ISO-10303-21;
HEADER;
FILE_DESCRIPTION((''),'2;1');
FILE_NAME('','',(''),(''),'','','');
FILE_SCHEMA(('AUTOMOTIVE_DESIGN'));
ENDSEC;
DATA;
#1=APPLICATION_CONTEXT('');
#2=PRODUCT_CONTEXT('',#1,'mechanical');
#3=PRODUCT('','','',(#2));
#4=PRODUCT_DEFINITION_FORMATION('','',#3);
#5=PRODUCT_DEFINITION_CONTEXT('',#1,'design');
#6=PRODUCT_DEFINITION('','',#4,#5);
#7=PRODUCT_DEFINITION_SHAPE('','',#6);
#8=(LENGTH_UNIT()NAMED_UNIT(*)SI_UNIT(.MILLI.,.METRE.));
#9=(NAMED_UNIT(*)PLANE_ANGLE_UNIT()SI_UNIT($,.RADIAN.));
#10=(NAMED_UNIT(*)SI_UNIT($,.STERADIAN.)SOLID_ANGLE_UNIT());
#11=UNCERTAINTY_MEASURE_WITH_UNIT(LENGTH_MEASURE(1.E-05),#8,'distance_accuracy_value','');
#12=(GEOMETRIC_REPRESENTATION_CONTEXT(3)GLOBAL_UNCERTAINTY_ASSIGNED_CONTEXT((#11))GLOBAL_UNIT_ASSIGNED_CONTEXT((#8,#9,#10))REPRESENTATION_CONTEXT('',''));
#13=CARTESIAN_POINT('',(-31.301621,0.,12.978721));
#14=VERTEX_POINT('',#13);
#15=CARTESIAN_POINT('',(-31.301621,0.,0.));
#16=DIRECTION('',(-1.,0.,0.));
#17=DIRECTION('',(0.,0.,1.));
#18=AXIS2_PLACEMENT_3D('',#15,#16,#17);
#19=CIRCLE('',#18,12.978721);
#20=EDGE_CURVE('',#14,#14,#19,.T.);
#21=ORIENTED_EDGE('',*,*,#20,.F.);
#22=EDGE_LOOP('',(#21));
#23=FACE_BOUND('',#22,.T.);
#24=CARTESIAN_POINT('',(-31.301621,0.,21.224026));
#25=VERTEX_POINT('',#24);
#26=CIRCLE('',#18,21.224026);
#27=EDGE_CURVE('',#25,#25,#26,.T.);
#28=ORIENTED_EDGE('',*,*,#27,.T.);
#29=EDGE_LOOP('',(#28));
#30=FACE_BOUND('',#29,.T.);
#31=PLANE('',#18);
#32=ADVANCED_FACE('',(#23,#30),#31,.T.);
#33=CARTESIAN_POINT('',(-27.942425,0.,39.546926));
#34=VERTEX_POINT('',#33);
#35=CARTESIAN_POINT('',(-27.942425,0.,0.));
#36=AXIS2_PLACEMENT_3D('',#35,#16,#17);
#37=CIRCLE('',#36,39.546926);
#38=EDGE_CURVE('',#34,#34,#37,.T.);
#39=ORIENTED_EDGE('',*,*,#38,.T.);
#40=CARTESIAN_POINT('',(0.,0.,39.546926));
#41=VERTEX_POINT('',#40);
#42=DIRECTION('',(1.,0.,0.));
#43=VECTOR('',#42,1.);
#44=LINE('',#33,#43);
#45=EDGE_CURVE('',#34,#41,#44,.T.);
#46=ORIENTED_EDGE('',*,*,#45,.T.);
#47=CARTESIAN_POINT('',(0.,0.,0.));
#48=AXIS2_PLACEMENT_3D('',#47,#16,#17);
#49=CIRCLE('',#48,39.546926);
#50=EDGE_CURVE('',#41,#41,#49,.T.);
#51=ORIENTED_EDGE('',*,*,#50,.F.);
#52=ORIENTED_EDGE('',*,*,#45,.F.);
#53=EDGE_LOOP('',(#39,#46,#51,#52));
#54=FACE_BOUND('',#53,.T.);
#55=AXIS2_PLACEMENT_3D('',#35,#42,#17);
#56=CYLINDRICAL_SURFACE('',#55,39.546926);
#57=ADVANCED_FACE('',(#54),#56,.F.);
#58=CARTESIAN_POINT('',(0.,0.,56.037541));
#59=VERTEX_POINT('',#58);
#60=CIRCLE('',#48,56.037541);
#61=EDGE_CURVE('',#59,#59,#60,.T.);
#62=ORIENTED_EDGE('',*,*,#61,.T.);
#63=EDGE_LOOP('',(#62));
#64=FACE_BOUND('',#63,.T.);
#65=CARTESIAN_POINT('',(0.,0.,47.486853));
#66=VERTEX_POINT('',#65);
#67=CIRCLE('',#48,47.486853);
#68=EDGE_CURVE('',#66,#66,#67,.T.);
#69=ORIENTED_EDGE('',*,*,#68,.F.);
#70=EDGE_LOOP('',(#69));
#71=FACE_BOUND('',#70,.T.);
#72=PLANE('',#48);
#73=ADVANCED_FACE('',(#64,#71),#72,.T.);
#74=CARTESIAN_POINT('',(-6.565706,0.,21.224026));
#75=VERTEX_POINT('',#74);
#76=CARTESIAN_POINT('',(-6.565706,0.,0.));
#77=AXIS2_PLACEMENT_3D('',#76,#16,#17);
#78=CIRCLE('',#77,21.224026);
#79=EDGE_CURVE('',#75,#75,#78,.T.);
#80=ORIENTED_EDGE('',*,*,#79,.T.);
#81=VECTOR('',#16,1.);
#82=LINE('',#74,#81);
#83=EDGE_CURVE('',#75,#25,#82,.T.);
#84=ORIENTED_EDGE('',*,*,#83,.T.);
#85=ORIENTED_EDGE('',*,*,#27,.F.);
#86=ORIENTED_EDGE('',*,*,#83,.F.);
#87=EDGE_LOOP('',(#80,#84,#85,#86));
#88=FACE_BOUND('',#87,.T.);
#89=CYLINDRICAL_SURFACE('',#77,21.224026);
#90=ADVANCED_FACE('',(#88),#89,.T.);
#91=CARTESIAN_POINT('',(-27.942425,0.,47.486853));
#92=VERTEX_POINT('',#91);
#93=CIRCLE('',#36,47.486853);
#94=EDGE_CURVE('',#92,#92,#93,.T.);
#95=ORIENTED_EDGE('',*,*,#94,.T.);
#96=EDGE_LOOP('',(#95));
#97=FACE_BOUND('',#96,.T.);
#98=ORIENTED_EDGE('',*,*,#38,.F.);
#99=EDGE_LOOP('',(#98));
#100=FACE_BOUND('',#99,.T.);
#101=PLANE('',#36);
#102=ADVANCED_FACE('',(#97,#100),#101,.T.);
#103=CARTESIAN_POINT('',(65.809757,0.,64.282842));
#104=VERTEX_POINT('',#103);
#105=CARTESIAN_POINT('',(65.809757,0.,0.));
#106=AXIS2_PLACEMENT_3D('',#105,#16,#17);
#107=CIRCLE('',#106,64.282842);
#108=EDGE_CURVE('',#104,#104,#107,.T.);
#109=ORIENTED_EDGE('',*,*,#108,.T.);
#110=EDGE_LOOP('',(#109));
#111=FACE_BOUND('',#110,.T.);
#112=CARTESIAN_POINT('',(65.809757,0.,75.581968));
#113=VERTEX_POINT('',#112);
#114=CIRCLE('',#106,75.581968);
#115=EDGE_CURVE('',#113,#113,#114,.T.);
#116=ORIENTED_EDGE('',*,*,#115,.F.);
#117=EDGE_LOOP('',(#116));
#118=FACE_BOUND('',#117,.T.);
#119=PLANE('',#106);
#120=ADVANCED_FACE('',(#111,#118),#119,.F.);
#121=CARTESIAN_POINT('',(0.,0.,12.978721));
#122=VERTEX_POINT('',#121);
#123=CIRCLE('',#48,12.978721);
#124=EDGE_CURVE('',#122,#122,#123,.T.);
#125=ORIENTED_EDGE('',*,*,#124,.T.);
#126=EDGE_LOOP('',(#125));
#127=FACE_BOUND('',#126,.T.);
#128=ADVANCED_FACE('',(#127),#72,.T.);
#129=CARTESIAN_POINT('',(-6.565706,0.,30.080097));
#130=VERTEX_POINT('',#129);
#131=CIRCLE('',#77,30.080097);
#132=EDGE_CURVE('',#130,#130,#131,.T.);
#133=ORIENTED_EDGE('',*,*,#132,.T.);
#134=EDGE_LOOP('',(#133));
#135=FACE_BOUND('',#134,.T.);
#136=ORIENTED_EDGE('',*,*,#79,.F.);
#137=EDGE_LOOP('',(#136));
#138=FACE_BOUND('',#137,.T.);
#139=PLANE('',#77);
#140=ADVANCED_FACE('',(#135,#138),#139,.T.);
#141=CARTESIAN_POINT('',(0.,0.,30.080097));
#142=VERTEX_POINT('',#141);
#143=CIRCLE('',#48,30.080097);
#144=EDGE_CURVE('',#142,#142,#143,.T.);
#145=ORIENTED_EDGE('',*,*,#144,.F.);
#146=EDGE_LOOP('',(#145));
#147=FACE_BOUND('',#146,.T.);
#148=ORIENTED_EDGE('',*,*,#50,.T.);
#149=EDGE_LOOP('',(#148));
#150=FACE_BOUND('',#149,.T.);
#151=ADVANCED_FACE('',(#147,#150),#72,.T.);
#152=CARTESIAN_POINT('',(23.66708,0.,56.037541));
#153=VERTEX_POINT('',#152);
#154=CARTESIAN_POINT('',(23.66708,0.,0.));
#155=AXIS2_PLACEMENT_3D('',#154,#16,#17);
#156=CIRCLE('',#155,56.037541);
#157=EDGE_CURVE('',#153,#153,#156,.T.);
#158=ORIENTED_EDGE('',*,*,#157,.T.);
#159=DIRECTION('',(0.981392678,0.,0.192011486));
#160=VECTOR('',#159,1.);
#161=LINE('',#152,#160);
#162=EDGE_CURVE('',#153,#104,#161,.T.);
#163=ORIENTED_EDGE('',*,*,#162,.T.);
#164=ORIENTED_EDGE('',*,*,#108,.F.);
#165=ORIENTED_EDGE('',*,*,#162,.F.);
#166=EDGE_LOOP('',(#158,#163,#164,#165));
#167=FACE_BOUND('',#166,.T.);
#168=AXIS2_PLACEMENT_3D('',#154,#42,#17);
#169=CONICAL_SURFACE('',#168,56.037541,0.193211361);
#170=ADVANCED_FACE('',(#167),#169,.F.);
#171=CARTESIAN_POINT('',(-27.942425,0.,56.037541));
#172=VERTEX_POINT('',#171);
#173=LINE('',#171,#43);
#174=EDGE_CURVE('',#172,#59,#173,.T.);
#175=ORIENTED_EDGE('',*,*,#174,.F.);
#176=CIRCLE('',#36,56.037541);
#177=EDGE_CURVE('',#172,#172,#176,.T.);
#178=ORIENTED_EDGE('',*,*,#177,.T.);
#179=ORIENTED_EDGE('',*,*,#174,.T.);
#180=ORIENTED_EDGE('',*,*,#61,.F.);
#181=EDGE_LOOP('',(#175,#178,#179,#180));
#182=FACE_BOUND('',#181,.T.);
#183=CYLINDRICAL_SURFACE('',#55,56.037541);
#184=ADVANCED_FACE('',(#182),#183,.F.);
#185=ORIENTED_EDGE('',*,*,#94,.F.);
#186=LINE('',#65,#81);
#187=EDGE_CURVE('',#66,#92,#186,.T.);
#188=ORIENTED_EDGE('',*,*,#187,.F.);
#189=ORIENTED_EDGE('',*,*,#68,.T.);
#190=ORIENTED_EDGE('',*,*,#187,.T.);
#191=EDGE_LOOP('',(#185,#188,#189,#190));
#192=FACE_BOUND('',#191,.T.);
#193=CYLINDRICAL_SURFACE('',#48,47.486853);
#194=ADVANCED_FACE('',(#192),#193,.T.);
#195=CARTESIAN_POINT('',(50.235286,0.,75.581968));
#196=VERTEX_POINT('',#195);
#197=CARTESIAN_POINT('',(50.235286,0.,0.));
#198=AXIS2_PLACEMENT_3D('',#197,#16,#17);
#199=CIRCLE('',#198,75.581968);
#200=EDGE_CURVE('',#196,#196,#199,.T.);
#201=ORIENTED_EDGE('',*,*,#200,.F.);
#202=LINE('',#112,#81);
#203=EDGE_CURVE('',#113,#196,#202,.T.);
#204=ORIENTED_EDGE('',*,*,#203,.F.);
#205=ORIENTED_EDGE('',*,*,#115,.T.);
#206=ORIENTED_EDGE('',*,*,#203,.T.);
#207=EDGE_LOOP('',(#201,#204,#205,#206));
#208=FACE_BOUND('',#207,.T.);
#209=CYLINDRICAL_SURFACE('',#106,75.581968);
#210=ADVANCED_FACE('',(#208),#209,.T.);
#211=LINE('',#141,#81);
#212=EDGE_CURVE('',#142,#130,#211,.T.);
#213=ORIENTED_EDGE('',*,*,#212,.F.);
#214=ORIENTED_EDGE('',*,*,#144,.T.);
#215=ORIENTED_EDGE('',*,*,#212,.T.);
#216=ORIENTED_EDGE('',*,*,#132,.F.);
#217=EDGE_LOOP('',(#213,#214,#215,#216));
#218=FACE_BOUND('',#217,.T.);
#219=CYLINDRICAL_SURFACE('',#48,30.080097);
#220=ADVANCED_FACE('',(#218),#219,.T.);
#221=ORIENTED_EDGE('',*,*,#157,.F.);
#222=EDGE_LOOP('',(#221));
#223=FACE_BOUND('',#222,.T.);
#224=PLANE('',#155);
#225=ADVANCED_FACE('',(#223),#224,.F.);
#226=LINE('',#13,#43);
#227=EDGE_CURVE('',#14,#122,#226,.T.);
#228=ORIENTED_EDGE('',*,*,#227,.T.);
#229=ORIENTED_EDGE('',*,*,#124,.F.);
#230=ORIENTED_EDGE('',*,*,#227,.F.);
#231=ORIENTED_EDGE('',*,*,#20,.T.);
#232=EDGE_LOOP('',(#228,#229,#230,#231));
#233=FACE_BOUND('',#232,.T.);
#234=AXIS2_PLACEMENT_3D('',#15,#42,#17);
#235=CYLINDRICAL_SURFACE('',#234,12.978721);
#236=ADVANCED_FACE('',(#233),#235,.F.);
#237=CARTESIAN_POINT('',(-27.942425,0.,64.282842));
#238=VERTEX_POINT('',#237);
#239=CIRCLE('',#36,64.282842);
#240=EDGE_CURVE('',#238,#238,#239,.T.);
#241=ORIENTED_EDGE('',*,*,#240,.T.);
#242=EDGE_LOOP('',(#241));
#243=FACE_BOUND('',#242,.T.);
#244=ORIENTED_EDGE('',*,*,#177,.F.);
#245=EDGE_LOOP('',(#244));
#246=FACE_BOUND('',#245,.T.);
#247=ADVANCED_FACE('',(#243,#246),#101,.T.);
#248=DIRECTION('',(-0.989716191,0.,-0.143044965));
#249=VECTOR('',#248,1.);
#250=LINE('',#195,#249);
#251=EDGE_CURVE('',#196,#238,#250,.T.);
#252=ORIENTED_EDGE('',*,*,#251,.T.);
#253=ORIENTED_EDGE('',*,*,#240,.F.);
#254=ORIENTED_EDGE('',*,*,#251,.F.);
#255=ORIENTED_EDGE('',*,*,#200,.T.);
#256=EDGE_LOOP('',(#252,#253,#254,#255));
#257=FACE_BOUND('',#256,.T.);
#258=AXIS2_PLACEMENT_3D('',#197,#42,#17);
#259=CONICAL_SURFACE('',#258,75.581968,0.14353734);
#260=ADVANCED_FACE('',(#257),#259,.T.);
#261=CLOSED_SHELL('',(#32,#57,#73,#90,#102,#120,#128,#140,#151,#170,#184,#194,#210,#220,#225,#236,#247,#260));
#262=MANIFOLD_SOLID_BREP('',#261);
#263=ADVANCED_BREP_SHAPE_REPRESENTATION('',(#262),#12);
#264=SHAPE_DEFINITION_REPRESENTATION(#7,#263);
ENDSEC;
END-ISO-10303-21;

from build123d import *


with BuildPart() as f1:
    # F0 (on Front) → F1 (revolve)
    with BuildSketch(Plane.XZ):
        Polygon((0, 12.978721), (0, 0), (23.66708, 0), (23.66708, 56.037541), (65.809757, 64.282842), (65.809757, 75.581968), (50.235286, 75.581968), (-27.942425, 64.282842), (-27.942425, 56.037541), (0, 56.037541), (0, 47.486853), (-27.942425, 47.486853), (-27.942425, 39.546926), (0, 39.546926), (0, 30.080097), (-6.565706, 30.080097), (-6.565706, 21.224026), (-31.301621, 21.224026), (-31.301621, 12.978721), align=None)
    revolve(axis=Axis((11.83354, 0, 0), (-1, 0, 0)))


solid = f1.part
